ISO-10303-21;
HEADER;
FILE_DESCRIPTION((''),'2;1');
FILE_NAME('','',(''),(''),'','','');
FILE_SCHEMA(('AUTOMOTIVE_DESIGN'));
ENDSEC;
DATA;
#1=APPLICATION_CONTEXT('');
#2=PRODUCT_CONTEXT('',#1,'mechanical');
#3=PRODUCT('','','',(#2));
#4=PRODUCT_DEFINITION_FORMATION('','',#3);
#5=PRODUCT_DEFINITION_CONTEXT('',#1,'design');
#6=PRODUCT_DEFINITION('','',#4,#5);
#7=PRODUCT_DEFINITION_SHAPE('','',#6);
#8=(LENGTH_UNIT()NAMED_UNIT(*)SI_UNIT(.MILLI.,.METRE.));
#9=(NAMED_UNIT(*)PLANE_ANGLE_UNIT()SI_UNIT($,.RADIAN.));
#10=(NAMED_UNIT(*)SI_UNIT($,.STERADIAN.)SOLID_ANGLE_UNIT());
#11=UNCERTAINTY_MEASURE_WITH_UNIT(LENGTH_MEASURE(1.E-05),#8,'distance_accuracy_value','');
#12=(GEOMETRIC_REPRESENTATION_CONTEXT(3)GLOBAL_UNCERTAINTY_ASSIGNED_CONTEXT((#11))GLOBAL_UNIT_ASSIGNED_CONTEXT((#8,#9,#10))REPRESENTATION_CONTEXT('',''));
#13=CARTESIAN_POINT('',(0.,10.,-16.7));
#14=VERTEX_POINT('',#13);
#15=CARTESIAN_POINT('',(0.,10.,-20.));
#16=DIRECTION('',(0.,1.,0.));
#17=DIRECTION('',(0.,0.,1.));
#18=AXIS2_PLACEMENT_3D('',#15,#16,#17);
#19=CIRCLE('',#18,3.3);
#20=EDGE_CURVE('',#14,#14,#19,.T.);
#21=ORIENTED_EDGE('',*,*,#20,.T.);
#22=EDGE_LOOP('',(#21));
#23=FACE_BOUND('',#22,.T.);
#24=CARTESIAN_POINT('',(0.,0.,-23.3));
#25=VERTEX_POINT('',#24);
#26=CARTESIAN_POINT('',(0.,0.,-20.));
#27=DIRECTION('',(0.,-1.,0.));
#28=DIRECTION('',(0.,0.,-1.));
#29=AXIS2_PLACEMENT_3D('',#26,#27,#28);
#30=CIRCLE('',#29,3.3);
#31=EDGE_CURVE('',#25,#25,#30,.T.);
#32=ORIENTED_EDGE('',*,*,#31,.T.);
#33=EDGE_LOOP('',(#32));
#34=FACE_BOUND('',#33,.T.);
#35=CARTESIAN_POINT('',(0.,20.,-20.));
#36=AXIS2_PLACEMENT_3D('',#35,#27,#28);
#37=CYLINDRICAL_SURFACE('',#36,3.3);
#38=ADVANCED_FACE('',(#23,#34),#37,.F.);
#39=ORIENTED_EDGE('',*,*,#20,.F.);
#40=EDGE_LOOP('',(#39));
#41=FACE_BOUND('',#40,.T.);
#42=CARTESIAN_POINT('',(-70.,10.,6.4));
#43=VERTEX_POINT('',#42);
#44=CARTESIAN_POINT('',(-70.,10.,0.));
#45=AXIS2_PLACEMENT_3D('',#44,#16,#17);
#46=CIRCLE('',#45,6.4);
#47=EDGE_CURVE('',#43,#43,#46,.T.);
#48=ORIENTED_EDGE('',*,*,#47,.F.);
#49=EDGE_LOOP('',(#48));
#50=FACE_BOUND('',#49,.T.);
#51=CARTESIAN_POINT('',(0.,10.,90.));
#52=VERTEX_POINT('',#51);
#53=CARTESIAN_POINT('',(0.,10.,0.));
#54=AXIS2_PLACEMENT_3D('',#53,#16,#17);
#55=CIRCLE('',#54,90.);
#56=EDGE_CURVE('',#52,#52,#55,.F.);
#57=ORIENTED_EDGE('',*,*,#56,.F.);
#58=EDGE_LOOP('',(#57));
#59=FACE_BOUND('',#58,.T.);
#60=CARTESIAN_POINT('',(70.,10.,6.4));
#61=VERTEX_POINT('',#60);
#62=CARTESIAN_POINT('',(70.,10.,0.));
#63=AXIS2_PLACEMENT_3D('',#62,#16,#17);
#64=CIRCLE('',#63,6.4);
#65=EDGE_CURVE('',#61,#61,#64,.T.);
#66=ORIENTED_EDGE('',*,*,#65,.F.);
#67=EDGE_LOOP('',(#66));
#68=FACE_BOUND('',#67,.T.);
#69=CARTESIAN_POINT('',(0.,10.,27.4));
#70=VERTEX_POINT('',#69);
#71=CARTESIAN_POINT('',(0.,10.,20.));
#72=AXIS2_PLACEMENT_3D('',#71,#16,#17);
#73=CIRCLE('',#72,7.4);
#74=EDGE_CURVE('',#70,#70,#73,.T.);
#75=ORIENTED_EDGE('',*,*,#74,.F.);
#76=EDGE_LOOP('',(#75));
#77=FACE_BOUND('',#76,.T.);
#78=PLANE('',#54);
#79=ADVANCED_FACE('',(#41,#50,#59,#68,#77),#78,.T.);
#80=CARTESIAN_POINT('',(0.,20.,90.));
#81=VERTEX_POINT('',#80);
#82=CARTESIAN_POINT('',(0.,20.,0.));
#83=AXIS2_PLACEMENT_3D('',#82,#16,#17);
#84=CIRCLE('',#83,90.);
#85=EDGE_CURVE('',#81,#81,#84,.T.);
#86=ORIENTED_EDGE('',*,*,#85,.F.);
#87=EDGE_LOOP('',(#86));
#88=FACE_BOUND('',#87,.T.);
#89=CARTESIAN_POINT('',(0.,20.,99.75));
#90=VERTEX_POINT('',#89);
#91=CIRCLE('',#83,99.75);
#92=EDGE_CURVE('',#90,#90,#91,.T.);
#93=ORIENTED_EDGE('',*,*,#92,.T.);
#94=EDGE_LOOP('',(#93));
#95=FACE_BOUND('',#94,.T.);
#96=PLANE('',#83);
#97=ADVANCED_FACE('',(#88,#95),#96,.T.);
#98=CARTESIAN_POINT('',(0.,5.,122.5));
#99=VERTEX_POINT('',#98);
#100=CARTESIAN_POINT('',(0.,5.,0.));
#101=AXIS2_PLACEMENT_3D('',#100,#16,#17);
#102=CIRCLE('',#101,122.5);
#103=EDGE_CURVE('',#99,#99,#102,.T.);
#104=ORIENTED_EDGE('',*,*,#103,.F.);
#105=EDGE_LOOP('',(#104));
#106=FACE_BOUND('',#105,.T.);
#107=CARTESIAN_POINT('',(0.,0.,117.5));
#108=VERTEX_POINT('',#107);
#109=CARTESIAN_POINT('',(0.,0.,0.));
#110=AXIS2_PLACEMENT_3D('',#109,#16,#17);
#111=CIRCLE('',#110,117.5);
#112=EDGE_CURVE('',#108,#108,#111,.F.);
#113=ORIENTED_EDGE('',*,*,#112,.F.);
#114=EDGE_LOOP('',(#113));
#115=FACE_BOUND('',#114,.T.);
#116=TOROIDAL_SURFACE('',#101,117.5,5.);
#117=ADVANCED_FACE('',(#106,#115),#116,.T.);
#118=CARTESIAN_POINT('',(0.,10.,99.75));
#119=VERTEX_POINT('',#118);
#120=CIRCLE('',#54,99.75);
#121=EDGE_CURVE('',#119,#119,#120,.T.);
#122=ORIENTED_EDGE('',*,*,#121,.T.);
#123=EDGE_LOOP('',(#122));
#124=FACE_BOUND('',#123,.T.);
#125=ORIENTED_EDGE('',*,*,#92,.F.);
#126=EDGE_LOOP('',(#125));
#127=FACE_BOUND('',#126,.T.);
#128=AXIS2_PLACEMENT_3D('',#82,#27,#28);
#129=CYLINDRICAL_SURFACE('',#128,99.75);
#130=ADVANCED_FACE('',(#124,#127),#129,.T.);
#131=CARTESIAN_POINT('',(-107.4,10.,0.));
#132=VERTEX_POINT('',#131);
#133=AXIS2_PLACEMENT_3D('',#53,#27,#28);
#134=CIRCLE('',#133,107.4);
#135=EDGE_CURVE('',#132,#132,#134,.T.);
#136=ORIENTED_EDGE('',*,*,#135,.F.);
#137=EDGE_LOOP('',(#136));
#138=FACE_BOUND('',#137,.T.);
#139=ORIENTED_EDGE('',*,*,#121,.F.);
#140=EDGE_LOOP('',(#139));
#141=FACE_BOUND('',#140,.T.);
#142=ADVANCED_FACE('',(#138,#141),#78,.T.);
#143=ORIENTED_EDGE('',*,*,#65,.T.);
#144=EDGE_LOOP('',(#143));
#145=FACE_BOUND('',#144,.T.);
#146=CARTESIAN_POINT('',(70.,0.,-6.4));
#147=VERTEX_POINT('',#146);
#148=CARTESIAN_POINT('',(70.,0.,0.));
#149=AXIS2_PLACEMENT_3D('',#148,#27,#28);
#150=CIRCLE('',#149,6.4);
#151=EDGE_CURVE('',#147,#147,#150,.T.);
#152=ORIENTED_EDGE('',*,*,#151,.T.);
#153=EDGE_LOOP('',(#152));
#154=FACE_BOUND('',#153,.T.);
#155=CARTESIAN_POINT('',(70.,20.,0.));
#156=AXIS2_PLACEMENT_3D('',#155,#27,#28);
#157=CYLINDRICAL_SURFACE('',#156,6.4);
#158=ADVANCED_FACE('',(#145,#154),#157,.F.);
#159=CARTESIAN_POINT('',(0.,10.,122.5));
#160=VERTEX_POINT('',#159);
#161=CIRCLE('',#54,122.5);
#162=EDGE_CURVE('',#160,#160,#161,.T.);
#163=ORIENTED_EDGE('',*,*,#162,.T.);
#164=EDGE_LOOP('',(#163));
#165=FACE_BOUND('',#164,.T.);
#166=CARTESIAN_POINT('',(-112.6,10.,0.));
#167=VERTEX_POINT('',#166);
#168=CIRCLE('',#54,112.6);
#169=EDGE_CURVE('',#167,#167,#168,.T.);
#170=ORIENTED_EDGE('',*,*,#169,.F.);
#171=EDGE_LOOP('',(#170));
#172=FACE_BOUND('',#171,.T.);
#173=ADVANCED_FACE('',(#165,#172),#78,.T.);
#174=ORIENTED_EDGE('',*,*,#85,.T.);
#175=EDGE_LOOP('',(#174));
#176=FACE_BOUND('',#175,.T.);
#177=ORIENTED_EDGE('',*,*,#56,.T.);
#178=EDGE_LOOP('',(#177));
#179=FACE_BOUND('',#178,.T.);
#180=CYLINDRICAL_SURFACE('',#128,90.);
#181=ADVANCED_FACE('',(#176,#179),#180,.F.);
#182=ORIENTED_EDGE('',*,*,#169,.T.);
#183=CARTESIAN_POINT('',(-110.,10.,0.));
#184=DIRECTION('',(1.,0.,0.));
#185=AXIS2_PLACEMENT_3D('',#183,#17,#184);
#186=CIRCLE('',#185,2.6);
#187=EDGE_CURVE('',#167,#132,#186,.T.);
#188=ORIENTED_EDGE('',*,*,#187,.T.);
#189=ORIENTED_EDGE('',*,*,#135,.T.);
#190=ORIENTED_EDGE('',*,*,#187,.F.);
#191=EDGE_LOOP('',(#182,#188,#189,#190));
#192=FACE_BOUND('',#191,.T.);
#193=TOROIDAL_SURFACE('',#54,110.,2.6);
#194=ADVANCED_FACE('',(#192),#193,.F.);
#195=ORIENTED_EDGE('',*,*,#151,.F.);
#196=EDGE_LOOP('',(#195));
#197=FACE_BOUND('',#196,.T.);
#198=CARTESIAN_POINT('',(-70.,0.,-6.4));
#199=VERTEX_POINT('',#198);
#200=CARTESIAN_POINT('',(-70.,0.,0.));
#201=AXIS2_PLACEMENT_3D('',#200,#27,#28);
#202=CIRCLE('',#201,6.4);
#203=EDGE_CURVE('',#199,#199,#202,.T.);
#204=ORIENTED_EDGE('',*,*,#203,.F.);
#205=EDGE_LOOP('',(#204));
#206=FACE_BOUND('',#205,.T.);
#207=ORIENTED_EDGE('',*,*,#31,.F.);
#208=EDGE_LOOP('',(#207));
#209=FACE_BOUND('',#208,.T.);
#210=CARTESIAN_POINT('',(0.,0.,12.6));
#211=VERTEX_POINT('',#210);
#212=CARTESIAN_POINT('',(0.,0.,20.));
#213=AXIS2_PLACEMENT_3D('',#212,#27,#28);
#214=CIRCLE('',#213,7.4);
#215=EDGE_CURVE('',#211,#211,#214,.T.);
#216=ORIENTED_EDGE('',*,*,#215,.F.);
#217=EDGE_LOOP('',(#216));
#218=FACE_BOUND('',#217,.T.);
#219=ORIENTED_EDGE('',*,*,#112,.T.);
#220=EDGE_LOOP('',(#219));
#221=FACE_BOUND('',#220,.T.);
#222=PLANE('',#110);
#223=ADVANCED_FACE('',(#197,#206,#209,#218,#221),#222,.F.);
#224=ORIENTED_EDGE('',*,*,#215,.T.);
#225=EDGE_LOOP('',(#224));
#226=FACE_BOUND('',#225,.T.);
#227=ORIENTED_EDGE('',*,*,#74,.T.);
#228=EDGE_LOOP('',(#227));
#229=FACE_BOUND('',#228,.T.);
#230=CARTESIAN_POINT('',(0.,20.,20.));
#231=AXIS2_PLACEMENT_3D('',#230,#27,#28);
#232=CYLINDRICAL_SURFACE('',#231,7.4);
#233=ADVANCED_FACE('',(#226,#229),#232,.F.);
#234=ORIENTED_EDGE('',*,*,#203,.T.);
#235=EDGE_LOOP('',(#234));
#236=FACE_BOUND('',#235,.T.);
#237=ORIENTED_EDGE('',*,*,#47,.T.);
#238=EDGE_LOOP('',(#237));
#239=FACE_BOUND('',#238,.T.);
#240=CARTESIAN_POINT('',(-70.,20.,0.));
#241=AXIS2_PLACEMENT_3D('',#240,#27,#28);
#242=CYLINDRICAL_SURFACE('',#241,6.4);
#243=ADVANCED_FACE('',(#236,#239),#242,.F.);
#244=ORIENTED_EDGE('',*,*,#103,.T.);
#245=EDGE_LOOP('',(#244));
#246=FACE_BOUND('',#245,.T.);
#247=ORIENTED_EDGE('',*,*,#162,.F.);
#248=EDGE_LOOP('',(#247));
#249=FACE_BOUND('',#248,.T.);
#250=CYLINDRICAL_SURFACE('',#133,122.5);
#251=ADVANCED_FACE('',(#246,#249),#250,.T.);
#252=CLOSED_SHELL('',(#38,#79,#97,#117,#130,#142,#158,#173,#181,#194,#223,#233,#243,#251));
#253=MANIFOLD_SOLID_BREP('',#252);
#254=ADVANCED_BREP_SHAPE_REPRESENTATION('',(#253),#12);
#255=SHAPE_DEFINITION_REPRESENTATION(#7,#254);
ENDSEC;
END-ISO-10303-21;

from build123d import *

# Parameters (mm, degrees)
CROQUIS1_R              = 122.5
SALIENTE_EXTRUIR1_DEPTH = 10
CROQUIS4_R              = 2.6
CROQUIS5_R              = 99.75
CROQUIS5_R_2            = 90
SALIENTE_EXTRUIR3_DEPTH = 10
REDONDEO1_R             = 5
CROQUIS7_R              = 7.4
CROQUIS7_R_2            = 3.3
CROQUIS7_R_3            = 6.4
CORTAR_EXTRUIR1_DEPTH   = 175.391800266


with BuildPart() as part:
    # Croquis1 → Saliente-Extruir1 (new body)
    with BuildSketch(Plane(origin=(0, 0, 0), x_dir=(1, 0, 0), z_dir=(0, 1, 0))):
        with Locations(Location((0, 0, 0), (0, 0, 270))):
            Circle(CROQUIS1_R)
    extrude(amount=SALIENTE_EXTRUIR1_DEPTH)

    # Cortar-Barrer1: sweep along a path in Croquis3
    with BuildLine(Plane(origin=(0, 10, 0), x_dir=(1, 0, 0), z_dir=(0, 1, 0))) as cortar_barrer1_path:
        CenterArc((0, 0), 110, 0, 360)
    # Croquis4 → Cortar-Barrer1 (sweep, cut)
    with BuildSketch(Plane.XY):
        with Locations((-110, 10)):
            Circle(CROQUIS4_R)
    sweep(path=cortar_barrer1_path.line, mode=Mode.SUBTRACT)

    # Croquis5 → Saliente-Extruir3 (add)
    with BuildSketch(Plane(origin=(0, 10, 0), x_dir=(1, 0, 0), z_dir=(0, 1, 0))):
        with Locations(Location((0, 0, 0), (0, 0, 270))):
            Circle(CROQUIS5_R)
        with Locations(Location((0, 0, 0), (0, 0, 270))):
            Circle(CROQUIS5_R_2, mode=Mode.SUBTRACT)
    extrude(amount=SALIENTE_EXTRUIR3_DEPTH)

    # Redondeo1
    redondeo1_edges = [part.edges().sort_by_distance(p)[0] for p in [
        (0, 0, -122.5),
    ]]
    fillet(redondeo1_edges, radius=REDONDEO1_R)

    # Croquis7 → Cortar-Extruir1 (cut, through all)
    with BuildSketch(Plane.XZ):
        with Locations(Location((0, 20, 0), (0, 0, 270))):
            Circle(CROQUIS7_R)
        with Locations(Location((0, -20, 0), (0, 0, 270))):
            Circle(CROQUIS7_R_2)
        with Locations(Location((70, 0, 0), (0, 0, 270))):
            Circle(CROQUIS7_R_3)
        with Locations(Location((-70, 0, 0), (0, 0, 270))):
            Circle(CROQUIS7_R_3)
    extrude(amount=-CORTAR_EXTRUIR1_DEPTH, mode=Mode.SUBTRACT)


solid = part.part
